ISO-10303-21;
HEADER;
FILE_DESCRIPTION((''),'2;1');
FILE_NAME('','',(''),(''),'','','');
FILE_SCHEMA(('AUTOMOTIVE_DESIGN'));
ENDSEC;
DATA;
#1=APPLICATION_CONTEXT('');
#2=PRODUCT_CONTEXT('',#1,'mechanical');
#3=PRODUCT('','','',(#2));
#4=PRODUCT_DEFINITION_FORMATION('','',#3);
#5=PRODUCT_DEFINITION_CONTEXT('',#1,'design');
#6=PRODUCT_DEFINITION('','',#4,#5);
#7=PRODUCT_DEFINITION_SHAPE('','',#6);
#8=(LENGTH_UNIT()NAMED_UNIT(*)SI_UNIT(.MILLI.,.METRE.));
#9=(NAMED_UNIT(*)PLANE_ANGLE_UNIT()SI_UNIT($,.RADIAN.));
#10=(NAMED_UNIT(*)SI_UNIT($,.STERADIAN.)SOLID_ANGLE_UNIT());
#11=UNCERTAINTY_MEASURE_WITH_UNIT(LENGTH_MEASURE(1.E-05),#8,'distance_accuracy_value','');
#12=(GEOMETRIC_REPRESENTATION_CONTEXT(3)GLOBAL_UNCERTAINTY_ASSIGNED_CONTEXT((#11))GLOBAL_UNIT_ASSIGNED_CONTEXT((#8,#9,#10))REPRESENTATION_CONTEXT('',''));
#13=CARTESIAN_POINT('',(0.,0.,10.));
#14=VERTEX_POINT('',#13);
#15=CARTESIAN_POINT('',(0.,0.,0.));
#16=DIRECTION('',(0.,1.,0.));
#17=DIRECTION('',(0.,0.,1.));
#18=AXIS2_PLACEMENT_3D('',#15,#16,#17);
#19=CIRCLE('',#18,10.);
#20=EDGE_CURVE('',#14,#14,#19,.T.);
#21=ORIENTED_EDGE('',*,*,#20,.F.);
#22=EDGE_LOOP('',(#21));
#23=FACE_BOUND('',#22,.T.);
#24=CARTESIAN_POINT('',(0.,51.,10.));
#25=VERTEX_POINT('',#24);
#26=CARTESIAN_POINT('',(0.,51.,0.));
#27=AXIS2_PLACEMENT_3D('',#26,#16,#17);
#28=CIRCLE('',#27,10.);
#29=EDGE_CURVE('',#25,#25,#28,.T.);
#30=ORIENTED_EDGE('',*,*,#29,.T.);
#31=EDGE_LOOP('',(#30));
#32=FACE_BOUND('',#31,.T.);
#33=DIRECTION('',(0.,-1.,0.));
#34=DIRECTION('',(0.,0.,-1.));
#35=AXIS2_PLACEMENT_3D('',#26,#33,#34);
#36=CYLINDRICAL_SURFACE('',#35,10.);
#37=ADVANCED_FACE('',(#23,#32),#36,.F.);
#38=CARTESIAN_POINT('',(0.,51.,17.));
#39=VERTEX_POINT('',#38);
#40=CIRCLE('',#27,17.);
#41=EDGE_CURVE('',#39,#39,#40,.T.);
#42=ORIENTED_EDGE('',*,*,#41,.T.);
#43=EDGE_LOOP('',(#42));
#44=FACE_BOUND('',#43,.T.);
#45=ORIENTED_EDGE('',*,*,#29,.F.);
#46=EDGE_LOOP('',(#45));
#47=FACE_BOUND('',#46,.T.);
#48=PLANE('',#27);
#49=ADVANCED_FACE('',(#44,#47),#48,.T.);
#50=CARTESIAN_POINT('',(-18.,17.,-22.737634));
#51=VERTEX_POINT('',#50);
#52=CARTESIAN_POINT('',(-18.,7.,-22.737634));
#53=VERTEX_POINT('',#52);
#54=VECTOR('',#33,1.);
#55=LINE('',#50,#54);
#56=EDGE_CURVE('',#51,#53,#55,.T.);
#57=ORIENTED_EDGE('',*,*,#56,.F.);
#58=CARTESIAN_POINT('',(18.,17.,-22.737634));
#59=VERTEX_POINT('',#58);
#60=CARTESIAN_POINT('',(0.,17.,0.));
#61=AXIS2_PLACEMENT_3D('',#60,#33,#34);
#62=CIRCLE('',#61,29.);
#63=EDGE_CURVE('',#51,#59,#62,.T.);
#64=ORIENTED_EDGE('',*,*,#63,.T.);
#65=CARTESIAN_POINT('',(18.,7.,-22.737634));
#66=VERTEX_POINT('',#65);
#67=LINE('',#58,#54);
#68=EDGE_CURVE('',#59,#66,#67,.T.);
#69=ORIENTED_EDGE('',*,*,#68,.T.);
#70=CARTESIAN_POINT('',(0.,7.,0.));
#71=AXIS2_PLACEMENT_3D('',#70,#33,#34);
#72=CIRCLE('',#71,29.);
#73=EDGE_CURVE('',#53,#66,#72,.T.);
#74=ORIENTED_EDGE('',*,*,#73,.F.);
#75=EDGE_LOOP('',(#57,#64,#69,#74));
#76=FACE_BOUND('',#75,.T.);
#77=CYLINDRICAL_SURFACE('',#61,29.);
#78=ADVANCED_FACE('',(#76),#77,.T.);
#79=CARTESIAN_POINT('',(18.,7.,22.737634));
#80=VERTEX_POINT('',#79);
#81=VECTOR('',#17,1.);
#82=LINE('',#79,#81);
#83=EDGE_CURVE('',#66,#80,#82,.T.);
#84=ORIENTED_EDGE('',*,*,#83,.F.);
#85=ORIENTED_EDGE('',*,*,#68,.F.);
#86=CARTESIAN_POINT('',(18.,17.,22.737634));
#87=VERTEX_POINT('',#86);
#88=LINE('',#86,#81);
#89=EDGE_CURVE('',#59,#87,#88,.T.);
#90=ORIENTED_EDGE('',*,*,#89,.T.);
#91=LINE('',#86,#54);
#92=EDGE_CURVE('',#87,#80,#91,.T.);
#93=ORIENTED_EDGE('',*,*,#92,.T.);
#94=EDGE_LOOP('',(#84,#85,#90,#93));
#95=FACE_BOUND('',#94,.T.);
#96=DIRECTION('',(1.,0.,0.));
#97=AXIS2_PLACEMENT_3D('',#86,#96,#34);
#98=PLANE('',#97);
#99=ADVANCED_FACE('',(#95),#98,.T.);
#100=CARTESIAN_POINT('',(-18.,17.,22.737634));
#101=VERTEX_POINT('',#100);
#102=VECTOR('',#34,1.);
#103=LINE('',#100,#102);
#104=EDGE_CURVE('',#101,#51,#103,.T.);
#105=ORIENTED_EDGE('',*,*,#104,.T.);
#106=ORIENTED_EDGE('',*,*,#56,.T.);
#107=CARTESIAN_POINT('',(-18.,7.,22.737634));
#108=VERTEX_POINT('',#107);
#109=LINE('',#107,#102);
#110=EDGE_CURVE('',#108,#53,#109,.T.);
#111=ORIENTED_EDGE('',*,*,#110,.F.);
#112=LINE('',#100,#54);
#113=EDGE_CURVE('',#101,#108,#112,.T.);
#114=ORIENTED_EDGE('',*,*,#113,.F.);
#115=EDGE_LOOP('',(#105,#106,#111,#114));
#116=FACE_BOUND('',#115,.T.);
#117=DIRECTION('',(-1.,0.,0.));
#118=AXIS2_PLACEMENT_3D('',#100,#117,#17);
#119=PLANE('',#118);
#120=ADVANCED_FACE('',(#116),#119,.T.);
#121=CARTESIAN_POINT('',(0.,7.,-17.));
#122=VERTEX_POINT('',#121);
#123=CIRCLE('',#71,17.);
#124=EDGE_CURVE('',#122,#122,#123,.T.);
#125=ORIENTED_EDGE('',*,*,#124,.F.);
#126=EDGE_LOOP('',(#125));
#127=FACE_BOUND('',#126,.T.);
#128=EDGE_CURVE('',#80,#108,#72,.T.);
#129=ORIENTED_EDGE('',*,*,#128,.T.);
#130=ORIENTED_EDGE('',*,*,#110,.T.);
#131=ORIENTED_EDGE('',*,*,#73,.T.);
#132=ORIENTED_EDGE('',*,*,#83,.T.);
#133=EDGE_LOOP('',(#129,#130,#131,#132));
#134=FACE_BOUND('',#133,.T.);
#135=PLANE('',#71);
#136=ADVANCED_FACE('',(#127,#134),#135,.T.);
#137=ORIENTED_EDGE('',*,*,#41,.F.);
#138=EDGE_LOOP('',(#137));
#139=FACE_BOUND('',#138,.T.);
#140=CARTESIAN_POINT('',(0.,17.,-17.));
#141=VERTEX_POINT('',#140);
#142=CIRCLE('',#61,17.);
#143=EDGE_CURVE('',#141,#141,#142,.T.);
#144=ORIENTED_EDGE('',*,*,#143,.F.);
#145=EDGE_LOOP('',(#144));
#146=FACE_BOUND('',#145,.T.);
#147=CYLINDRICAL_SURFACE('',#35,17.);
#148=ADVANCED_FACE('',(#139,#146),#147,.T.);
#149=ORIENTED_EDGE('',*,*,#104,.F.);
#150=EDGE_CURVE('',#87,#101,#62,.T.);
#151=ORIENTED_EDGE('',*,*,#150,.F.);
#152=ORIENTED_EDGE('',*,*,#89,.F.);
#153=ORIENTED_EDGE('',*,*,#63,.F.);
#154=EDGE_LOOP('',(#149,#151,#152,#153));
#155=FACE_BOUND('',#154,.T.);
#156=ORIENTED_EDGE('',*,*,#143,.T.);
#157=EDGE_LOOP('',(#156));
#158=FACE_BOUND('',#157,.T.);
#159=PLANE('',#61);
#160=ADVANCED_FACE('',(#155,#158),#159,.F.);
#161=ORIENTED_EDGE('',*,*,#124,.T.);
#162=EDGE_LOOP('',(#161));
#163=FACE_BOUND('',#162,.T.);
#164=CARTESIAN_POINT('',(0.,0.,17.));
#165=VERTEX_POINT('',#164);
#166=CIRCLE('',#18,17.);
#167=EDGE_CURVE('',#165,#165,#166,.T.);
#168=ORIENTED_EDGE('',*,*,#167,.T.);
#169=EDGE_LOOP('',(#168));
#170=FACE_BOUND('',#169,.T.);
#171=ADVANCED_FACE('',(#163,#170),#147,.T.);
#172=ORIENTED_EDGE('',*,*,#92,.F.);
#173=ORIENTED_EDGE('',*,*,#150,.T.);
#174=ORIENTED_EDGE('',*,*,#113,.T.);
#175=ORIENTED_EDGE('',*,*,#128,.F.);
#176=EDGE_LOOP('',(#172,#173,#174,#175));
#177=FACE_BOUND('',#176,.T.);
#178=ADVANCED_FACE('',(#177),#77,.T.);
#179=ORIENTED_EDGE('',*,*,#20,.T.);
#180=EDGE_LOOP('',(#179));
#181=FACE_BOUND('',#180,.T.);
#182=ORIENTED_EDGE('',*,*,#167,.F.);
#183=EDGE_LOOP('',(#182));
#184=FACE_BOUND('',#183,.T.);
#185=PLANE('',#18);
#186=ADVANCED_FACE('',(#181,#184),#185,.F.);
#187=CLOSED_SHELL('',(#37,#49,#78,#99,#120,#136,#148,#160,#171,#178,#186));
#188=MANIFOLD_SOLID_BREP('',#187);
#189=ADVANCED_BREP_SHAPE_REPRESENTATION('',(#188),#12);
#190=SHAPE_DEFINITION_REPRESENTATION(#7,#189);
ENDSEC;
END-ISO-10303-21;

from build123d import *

# Parameters (mm, degrees)
SKETCH_1_R      = 17
SKETCH_1_R_2    = 10
EXTRUDE_1_DEPTH = 51
EXTRUDE_START   = -7
SKETCH_7_R      = 10
EXTRUDE_2_DEPTH = 10


with BuildPart() as part:
    # 草图1 → 凸台-拉伸1 (new body)
    with BuildSketch(Plane(origin=(0, 0, 0), x_dir=(1, 0, 0), z_dir=(0, 1, 0))):
        with Locations(Location((0, 0, 0), (0, 0, 270))):
            Circle(SKETCH_1_R)
        with Locations(Location((0, 0, 0), (0, 0, 270))):
            Circle(SKETCH_1_R_2, mode=Mode.SUBTRACT)
    extrude(amount=EXTRUDE_1_DEPTH)

    # 草图7 → 凸台-拉伸2 (add)
    with BuildSketch(Plane.XZ.offset(EXTRUDE_START)):
        with BuildLine():
            Line((-18, 22.737634002), (-18, -22.737634002))
            ThreePointArc((-18, -22.737634002), (0, -29), (18, -22.737634002))
            Line((18, -22.737634002), (18, 22.737634002))
            ThreePointArc((18, 22.737634002), (0, 29), (-18, 22.737634002))
        make_face()
        with Locations(Location((0, 0, 0), (0, 0, 90))):
            Circle(SKETCH_7_R, mode=Mode.SUBTRACT)
    extrude(amount=-EXTRUDE_2_DEPTH)


solid = part.part
